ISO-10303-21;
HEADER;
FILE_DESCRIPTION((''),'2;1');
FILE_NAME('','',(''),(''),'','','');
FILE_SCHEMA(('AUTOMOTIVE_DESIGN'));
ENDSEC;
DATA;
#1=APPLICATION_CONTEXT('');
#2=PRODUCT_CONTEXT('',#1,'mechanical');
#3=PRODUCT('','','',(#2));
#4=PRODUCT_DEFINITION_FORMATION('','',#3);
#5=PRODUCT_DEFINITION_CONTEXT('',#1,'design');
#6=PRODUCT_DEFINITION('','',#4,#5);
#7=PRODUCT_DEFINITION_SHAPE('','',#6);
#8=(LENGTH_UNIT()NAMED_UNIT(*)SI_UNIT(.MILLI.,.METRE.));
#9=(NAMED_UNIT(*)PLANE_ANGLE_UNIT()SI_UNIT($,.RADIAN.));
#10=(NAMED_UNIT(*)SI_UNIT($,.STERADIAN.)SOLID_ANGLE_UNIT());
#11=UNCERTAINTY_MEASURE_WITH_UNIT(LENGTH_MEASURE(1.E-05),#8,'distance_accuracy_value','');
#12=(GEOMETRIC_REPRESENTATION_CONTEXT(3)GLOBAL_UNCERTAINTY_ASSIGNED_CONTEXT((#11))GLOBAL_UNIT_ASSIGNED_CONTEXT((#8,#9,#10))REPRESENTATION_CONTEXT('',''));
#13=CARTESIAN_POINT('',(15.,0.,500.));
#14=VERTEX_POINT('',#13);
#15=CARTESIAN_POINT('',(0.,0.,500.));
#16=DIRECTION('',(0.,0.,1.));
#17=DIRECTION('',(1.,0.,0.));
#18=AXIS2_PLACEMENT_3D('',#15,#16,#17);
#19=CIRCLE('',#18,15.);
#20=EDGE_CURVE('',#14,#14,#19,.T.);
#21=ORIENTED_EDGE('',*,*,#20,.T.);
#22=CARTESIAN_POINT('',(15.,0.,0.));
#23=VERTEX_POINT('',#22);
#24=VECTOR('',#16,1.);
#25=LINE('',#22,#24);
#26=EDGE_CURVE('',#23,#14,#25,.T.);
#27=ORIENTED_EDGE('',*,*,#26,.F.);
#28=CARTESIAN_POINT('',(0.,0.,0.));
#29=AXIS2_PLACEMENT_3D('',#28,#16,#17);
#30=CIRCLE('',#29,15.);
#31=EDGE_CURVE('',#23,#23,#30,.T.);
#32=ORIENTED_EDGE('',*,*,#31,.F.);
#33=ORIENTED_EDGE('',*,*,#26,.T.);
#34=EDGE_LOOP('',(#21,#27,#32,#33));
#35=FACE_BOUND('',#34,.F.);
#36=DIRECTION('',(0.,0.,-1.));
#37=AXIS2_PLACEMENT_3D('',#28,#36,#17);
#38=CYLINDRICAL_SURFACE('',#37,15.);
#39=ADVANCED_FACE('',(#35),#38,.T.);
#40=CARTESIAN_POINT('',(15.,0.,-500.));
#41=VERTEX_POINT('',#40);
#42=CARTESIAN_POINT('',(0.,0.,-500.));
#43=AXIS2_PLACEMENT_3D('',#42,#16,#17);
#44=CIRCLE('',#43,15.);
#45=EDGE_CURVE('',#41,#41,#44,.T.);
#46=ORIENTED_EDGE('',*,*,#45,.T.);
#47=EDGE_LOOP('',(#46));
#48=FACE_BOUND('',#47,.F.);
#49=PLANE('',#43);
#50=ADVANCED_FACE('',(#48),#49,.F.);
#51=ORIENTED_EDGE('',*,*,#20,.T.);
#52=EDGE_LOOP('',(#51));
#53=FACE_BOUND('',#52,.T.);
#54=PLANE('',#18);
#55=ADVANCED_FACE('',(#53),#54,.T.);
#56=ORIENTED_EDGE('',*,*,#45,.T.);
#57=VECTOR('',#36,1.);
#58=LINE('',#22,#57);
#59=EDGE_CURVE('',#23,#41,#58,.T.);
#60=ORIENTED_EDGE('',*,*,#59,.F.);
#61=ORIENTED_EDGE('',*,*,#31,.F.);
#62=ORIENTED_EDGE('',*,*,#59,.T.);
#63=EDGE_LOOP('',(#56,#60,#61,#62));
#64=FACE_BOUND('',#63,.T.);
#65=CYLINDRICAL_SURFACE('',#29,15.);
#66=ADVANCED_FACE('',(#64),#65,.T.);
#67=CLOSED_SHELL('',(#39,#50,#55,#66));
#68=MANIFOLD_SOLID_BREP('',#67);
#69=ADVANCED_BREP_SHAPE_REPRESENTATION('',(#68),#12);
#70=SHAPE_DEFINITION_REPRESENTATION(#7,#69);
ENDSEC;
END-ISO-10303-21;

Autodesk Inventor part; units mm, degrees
ref_plane "YZ Plane" through (0, 0, 0) normal (1, 0, 0) x (0, 1, 0)
ref_plane "XZ Plane" through (0, 0, 0) normal (0, 1, 0) x (-1, 0, 0)
ref_plane "XY Plane" through (0, 0, 0) normal (0, 0, 1) x (1, 0, 0)
sketch "Sketch1" plane through (0, 0, 0) normal (0, 0, 1) x (1, 0, 0)
  circle A0 centre (0, 0) radius 15 projected
  dimension "d0" = 1000
extrude "Extrusion1" add sketch "Sketch1" along normal mid plane 1000
properties part number "Shaft"
